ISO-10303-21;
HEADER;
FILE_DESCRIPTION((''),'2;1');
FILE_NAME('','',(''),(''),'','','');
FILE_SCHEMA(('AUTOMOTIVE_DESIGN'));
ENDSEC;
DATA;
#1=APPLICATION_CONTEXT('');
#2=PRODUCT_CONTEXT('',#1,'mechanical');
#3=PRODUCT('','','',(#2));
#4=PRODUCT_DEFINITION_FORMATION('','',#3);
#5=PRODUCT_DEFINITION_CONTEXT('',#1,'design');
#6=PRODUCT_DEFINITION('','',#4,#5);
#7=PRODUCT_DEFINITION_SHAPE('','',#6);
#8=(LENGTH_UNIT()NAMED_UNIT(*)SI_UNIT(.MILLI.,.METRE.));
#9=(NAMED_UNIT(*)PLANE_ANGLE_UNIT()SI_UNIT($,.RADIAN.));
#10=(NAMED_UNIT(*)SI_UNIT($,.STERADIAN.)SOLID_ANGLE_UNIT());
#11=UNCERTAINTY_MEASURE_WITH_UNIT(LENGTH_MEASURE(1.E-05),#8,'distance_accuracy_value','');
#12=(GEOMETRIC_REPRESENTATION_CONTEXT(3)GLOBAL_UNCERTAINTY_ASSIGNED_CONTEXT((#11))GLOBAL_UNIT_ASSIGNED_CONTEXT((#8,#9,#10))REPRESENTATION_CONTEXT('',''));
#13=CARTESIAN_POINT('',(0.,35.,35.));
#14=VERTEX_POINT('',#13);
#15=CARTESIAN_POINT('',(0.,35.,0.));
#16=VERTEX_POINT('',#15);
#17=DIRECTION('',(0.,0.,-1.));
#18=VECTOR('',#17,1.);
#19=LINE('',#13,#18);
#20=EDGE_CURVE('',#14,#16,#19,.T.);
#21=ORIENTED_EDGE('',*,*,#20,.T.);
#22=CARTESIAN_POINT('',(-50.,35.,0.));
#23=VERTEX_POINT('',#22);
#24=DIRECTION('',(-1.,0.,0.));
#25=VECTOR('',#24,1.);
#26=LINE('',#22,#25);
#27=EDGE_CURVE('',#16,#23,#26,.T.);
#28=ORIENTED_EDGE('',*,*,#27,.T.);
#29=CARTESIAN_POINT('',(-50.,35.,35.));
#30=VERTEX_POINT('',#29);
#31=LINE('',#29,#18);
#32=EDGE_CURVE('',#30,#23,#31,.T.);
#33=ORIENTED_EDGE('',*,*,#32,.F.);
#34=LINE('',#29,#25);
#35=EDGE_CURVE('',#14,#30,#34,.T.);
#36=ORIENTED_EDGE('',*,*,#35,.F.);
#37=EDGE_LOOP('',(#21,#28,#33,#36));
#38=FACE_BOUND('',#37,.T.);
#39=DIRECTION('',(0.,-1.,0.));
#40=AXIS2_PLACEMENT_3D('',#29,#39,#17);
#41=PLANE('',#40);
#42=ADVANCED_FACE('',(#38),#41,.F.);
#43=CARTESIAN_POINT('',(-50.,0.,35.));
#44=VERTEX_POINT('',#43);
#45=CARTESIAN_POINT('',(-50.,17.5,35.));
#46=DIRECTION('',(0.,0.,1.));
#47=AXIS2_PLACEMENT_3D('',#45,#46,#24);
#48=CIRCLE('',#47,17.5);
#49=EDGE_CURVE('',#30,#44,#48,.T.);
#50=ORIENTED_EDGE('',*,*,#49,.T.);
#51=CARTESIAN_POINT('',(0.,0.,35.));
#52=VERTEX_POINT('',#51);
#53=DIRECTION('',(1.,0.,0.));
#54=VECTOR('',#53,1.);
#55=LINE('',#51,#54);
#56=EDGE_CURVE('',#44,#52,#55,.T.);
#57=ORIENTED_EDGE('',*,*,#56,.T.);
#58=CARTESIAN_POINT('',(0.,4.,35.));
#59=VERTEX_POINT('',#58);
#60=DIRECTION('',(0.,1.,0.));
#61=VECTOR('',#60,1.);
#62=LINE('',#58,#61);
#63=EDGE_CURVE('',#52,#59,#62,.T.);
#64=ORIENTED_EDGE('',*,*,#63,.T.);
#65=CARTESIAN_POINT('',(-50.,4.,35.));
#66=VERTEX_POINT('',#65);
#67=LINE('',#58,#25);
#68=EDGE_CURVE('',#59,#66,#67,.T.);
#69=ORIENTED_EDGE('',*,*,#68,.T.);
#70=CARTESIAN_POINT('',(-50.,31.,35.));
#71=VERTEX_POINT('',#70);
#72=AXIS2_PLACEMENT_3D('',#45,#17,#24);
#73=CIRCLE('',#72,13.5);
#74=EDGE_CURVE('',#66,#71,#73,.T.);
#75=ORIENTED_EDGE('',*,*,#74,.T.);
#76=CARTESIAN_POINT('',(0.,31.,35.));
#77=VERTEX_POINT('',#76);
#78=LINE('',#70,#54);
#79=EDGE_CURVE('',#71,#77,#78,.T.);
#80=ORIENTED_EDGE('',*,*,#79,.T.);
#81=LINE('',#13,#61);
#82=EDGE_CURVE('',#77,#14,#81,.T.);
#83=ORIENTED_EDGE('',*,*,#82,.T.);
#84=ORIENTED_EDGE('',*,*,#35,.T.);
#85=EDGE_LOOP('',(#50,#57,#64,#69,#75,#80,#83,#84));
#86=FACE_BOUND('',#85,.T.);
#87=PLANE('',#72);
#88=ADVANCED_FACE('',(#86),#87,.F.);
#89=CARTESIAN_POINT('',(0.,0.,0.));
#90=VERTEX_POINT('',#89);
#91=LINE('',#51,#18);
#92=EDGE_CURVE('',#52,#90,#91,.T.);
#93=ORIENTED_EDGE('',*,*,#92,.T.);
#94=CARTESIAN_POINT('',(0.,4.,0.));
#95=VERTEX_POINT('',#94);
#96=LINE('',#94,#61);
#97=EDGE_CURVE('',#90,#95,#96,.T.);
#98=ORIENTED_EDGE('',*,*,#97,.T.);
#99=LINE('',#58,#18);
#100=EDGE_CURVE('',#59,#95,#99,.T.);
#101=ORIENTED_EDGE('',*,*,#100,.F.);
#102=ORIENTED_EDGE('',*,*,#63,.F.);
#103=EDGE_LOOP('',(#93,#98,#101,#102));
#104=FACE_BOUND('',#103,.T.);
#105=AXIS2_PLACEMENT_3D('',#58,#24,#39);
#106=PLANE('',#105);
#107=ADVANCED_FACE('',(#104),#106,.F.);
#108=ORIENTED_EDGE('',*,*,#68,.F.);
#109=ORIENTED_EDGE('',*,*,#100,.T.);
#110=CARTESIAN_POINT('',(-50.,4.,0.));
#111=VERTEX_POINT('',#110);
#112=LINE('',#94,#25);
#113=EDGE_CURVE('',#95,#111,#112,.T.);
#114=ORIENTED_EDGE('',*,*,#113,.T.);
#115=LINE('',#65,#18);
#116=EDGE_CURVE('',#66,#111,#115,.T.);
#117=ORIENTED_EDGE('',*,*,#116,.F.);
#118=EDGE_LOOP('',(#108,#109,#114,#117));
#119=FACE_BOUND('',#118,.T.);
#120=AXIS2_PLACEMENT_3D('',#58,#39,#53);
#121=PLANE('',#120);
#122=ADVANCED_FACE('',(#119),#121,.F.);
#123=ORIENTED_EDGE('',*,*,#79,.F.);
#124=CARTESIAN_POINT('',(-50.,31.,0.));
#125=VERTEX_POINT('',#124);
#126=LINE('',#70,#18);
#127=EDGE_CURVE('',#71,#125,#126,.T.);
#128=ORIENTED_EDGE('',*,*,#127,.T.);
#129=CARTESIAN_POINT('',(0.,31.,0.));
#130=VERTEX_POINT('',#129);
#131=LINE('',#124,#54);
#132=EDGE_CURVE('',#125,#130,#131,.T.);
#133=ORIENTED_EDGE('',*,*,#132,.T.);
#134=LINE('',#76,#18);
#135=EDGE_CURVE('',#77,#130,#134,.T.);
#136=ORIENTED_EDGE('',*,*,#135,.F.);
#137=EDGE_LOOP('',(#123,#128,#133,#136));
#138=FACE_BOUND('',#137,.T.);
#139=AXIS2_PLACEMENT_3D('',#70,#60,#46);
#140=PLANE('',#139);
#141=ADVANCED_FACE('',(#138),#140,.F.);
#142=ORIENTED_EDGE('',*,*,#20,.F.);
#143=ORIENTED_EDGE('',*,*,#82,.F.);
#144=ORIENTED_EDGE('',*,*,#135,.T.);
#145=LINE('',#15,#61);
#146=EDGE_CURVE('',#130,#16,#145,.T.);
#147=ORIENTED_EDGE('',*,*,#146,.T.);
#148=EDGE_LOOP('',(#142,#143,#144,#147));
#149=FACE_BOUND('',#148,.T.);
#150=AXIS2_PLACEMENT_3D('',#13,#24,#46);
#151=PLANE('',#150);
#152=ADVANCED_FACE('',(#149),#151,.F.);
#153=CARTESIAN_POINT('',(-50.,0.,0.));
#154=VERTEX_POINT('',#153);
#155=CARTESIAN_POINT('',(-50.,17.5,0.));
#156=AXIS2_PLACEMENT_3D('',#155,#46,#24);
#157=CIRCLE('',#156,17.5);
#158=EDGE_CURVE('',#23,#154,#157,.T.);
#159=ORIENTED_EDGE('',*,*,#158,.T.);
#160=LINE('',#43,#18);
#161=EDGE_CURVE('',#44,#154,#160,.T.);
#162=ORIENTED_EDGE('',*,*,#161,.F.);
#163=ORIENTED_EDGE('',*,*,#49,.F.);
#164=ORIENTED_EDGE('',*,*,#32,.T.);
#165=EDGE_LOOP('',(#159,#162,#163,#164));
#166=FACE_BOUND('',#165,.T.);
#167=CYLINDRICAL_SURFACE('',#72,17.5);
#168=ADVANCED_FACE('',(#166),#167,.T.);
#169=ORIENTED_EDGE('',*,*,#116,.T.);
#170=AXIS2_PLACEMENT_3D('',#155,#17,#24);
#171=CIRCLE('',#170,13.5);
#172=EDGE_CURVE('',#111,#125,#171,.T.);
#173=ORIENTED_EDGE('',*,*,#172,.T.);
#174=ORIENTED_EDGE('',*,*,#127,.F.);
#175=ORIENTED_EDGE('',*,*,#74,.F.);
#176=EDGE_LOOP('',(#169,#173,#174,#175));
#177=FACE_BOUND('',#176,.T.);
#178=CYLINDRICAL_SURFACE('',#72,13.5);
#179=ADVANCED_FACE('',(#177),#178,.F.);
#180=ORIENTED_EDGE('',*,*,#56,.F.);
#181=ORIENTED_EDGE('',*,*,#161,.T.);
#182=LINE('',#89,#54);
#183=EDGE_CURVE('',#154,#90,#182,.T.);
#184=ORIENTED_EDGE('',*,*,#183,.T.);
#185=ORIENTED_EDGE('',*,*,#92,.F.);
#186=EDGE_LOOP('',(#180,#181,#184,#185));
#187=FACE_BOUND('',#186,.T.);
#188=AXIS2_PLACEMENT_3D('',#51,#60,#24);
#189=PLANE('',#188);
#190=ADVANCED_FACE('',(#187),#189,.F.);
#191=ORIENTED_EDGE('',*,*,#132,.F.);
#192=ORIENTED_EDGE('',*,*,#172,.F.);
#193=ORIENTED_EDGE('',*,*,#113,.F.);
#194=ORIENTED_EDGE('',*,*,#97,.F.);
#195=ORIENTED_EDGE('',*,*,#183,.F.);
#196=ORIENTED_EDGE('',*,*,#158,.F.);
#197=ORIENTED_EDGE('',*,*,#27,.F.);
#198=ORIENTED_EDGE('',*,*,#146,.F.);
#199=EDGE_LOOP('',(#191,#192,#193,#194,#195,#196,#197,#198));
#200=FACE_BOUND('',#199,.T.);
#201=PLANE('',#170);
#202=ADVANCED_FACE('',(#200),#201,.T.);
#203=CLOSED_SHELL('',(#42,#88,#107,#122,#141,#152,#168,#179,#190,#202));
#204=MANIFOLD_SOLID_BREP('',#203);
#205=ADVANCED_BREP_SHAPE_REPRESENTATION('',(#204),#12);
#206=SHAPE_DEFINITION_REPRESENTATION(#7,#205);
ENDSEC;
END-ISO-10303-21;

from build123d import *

# Parameters (mm, degrees)
BOSS_EXTRU_1_DEPTH = 35


with BuildPart() as part:
    # Esquisse2 → Boss.-Extru.1 (new body)
    with BuildSketch(Plane.XY):
        with BuildLine():
            Line((0, 0), (-50, 0))
            ThreePointArc((-50, 0), (-67.5, 17.5), (-50, 35))
            Line((-50, 35), (0, 35))
            Line((0, 35), (0, 31))
            Line((0, 31), (-50, 31))
            ThreePointArc((-50, 31), (-63.5, 17.5), (-50, 4))
            Line((-50, 4), (0, 4))
            Line((0, 4), (0, 0))
        make_face()
    extrude(amount=BOSS_EXTRU_1_DEPTH)


solid = part.part
